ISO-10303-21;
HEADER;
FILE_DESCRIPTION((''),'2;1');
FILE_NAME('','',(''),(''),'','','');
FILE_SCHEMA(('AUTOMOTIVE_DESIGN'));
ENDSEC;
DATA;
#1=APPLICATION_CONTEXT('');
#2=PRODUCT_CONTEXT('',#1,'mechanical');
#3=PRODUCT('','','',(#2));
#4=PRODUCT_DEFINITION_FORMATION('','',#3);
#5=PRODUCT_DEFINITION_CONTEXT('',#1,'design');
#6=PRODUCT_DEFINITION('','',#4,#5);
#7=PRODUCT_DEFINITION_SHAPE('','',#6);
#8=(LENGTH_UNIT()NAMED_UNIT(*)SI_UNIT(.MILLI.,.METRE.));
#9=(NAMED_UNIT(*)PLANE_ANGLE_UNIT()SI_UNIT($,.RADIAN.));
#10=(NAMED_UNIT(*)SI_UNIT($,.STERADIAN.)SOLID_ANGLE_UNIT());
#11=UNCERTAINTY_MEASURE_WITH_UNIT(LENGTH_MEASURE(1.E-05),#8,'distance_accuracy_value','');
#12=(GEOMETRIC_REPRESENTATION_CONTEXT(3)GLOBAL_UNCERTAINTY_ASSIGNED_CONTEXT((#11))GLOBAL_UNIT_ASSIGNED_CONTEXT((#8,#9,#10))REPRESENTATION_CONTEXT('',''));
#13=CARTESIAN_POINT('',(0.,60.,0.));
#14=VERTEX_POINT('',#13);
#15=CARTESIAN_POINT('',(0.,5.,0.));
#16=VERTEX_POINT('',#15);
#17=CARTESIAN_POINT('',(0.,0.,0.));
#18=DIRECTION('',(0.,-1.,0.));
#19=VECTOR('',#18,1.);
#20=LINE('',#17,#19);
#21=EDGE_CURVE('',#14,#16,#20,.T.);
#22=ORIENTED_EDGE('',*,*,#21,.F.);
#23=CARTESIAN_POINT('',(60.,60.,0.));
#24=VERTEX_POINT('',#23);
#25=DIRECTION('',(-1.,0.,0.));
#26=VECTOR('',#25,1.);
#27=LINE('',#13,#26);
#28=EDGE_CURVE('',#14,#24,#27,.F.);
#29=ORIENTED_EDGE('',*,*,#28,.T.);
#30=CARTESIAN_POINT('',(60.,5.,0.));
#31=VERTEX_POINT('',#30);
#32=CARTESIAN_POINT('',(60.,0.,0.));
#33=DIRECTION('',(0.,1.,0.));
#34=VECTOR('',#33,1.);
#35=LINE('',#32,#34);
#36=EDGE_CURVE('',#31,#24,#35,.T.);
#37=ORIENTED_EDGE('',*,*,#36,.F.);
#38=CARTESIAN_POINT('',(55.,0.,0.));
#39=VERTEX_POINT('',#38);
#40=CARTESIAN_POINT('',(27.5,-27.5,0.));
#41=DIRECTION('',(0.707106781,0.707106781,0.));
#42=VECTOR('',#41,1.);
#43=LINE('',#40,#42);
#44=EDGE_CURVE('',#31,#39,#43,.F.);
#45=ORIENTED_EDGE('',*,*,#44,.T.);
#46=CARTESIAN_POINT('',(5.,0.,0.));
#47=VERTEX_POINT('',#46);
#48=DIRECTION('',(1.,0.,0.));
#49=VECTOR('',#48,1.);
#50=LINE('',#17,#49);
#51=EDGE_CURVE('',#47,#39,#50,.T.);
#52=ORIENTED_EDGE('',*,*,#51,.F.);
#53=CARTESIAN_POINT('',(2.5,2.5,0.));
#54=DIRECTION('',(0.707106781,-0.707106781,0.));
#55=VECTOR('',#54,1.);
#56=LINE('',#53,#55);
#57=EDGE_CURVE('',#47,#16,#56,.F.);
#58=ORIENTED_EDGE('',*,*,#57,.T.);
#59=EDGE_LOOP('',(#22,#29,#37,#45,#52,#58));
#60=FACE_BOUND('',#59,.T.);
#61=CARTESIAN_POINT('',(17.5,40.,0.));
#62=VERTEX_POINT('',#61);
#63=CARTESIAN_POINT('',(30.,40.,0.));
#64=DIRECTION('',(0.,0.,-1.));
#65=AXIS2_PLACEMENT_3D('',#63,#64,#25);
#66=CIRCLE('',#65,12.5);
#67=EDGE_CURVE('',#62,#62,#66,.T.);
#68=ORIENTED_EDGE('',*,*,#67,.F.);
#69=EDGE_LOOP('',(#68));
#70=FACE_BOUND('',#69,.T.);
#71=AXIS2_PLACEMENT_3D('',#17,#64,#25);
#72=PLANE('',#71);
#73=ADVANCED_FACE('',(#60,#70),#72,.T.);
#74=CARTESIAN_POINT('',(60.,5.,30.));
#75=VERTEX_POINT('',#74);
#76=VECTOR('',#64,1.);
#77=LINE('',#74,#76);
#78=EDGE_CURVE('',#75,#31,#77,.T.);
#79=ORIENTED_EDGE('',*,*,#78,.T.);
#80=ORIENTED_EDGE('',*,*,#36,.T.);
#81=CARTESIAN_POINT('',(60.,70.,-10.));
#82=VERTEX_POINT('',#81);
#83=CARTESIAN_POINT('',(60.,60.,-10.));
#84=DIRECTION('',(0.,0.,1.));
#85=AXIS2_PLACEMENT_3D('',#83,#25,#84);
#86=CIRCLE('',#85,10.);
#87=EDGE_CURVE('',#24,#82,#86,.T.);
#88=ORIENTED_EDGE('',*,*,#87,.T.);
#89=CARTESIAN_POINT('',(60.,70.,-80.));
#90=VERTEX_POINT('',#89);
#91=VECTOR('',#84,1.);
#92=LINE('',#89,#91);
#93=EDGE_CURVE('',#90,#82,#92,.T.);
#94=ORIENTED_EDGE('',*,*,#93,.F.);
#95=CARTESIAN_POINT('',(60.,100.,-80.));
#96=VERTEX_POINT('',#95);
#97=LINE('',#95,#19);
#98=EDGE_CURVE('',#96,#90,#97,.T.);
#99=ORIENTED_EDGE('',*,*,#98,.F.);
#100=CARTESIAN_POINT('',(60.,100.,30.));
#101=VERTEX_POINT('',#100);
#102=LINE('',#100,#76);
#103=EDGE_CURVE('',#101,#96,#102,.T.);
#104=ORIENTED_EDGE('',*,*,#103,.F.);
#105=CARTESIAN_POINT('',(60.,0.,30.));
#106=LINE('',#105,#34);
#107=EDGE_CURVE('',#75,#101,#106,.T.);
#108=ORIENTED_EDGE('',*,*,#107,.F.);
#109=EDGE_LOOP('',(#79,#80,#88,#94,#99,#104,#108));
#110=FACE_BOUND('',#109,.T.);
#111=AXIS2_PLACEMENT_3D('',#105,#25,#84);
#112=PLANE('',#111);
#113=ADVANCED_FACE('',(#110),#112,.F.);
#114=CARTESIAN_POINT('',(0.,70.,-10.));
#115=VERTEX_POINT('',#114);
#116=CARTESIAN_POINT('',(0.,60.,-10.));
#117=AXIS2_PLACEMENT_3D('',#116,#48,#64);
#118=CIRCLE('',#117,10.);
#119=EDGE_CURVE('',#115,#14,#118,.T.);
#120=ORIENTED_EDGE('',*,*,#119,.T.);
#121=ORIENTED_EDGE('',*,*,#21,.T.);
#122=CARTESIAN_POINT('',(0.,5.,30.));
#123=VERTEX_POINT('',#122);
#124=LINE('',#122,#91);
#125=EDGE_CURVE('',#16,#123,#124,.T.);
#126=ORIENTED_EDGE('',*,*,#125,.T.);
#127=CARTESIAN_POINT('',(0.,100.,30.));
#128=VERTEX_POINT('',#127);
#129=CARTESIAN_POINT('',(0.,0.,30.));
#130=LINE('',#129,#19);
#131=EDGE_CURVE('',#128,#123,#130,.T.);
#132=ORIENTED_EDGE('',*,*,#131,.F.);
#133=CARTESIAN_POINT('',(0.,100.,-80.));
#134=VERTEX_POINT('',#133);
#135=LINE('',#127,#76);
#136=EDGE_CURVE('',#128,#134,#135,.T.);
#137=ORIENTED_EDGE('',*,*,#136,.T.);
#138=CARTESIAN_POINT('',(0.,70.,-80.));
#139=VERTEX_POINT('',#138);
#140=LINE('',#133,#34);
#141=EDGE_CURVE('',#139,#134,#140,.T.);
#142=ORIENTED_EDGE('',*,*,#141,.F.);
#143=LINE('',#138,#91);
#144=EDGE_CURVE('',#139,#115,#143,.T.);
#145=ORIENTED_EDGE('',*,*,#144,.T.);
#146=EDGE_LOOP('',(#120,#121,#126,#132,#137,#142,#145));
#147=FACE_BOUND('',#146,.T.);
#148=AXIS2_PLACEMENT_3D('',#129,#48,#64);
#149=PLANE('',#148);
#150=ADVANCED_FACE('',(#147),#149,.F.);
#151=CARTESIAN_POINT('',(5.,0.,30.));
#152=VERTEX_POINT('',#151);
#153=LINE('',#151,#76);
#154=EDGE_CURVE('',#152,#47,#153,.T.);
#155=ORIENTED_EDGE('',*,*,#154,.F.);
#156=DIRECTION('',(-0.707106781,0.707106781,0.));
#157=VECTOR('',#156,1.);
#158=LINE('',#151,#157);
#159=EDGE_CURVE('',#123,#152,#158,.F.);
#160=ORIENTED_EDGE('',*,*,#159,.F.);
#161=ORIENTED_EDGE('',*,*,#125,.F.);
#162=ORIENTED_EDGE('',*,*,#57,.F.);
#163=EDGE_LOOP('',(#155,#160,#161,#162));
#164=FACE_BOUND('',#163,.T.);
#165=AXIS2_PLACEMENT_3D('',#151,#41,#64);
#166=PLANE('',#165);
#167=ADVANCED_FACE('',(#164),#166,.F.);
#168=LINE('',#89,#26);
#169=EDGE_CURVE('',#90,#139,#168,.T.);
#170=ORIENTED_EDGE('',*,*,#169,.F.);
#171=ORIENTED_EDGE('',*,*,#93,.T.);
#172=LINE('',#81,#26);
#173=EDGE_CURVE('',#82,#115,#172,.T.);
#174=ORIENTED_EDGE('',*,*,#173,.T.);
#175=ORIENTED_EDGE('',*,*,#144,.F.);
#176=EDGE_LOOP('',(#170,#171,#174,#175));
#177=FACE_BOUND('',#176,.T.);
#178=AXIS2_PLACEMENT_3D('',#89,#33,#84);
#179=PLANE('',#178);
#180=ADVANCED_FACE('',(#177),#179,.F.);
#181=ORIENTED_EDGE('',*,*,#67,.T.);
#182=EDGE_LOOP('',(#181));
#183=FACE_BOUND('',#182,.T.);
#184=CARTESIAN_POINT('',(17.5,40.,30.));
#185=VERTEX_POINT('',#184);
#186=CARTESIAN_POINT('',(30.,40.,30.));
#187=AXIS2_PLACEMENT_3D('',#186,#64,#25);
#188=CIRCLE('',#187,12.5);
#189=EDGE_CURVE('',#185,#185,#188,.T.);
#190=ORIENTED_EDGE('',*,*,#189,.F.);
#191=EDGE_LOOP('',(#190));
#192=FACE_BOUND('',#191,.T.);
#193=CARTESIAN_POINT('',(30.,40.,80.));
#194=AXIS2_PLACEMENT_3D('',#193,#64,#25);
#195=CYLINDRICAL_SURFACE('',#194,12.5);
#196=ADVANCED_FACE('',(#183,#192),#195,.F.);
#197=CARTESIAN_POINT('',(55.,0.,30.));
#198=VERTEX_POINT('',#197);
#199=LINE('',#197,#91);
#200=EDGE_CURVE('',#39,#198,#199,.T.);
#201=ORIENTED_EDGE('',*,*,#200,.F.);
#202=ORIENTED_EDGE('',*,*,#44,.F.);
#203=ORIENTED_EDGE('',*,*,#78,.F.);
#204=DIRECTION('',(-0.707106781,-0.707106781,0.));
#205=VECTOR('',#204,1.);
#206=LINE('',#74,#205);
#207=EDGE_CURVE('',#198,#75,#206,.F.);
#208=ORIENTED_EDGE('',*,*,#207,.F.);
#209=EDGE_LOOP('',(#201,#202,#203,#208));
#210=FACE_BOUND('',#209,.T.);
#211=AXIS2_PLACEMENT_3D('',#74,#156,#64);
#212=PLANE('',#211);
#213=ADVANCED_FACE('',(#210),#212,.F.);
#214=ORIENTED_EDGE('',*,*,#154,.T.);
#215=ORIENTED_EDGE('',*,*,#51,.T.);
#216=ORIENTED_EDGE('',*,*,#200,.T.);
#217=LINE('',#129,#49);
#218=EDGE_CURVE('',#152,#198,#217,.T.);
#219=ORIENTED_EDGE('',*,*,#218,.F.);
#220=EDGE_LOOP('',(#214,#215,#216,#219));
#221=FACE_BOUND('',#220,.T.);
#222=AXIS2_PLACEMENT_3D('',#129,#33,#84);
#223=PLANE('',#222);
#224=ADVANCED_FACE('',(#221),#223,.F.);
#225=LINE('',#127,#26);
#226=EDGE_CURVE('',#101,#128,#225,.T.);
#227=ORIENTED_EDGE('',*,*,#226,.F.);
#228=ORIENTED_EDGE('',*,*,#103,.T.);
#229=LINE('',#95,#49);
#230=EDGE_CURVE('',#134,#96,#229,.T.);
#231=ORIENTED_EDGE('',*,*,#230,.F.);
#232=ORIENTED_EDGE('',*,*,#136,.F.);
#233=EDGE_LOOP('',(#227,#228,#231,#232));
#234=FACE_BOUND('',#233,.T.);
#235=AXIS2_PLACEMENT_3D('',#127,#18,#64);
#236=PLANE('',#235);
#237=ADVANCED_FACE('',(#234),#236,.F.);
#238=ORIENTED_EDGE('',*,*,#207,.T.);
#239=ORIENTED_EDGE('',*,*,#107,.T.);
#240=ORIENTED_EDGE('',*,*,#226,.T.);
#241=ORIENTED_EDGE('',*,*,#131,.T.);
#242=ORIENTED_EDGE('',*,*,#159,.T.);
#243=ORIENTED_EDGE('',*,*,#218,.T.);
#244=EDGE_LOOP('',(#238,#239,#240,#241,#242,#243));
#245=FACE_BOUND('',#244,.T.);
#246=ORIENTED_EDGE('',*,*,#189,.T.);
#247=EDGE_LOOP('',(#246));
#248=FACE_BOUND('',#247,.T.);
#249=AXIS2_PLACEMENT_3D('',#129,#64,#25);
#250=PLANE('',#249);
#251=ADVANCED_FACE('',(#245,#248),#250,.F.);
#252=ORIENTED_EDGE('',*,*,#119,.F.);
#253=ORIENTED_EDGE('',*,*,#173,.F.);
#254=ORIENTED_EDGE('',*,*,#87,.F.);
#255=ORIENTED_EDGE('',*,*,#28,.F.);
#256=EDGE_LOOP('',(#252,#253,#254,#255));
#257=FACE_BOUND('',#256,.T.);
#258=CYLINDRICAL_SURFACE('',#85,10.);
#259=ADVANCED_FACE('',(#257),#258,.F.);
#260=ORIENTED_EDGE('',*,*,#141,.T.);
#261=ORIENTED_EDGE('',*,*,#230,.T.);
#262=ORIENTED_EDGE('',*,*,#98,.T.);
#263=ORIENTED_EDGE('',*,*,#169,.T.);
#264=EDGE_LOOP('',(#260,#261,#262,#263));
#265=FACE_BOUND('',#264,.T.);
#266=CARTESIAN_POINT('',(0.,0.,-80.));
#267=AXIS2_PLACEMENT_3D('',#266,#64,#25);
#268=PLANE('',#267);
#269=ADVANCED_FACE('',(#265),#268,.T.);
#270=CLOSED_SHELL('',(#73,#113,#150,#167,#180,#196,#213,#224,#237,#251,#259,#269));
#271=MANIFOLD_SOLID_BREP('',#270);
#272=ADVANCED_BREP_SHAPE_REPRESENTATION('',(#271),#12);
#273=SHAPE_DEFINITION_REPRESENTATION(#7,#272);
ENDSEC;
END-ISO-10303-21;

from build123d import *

# Parameters (mm, degrees)
SKICA1_W                 = 60
SKICA1_H                 = 100
P_IDAT_VYSUNUT_M1_DEPTH  = 30
SKICA2_W                 = 60
SKICA2_H                 = 30
P_IDAT_VYSUNUT_M2_DEPTH  = 80
SKICA3_R                 = 12.5
ODEBRAT_VYSUNUT_M1_DEPTH = 80
ZAOBLIT2_R               = 10
ZKOSEN_1_SIZE            = 5


with BuildPart() as part:
    # Skica1 → Přidat vysunutím1 (new body)
    with BuildSketch(Plane.XY):
        with Locations((30, 50)):
            Rectangle(SKICA1_W, SKICA1_H)
    extrude(amount=P_IDAT_VYSUNUT_M1_DEPTH)

    # Skica2 → Přidat vysunutím2 (add)
    with BuildSketch(Plane(origin=(0, 0, 0), x_dir=(-1, 0, 0), z_dir=(0, 0, -1))):
        with Locations((-30, 85)):
            Rectangle(SKICA2_W, SKICA2_H)
    extrude(amount=P_IDAT_VYSUNUT_M2_DEPTH)

    # Skica3 → Odebrat vysunutím1 (cut)
    with BuildSketch(Plane(origin=(0, 0, 0), x_dir=(-1, 0, 0), z_dir=(0, 0, -1))):
        with Locations((-30, 40)):
            Circle(SKICA3_R)
    extrude(amount=-ODEBRAT_VYSUNUT_M1_DEPTH, mode=Mode.SUBTRACT)

    # Zaoblit2
    zaoblit2_edges = [part.edges().sort_by_distance(p)[0] for p in [
        (30, 70, 0),
    ]]
    fillet(zaoblit2_edges, radius=ZAOBLIT2_R)

    # Zkosení1
    zkosen_1_edges = [part.edges().sort_by_distance(p)[0] for p in [
        (60, 0, 15),
        (0, 0, 15),
    ]]
    chamfer(zkosen_1_edges, length=ZKOSEN_1_SIZE)


solid = part.part
